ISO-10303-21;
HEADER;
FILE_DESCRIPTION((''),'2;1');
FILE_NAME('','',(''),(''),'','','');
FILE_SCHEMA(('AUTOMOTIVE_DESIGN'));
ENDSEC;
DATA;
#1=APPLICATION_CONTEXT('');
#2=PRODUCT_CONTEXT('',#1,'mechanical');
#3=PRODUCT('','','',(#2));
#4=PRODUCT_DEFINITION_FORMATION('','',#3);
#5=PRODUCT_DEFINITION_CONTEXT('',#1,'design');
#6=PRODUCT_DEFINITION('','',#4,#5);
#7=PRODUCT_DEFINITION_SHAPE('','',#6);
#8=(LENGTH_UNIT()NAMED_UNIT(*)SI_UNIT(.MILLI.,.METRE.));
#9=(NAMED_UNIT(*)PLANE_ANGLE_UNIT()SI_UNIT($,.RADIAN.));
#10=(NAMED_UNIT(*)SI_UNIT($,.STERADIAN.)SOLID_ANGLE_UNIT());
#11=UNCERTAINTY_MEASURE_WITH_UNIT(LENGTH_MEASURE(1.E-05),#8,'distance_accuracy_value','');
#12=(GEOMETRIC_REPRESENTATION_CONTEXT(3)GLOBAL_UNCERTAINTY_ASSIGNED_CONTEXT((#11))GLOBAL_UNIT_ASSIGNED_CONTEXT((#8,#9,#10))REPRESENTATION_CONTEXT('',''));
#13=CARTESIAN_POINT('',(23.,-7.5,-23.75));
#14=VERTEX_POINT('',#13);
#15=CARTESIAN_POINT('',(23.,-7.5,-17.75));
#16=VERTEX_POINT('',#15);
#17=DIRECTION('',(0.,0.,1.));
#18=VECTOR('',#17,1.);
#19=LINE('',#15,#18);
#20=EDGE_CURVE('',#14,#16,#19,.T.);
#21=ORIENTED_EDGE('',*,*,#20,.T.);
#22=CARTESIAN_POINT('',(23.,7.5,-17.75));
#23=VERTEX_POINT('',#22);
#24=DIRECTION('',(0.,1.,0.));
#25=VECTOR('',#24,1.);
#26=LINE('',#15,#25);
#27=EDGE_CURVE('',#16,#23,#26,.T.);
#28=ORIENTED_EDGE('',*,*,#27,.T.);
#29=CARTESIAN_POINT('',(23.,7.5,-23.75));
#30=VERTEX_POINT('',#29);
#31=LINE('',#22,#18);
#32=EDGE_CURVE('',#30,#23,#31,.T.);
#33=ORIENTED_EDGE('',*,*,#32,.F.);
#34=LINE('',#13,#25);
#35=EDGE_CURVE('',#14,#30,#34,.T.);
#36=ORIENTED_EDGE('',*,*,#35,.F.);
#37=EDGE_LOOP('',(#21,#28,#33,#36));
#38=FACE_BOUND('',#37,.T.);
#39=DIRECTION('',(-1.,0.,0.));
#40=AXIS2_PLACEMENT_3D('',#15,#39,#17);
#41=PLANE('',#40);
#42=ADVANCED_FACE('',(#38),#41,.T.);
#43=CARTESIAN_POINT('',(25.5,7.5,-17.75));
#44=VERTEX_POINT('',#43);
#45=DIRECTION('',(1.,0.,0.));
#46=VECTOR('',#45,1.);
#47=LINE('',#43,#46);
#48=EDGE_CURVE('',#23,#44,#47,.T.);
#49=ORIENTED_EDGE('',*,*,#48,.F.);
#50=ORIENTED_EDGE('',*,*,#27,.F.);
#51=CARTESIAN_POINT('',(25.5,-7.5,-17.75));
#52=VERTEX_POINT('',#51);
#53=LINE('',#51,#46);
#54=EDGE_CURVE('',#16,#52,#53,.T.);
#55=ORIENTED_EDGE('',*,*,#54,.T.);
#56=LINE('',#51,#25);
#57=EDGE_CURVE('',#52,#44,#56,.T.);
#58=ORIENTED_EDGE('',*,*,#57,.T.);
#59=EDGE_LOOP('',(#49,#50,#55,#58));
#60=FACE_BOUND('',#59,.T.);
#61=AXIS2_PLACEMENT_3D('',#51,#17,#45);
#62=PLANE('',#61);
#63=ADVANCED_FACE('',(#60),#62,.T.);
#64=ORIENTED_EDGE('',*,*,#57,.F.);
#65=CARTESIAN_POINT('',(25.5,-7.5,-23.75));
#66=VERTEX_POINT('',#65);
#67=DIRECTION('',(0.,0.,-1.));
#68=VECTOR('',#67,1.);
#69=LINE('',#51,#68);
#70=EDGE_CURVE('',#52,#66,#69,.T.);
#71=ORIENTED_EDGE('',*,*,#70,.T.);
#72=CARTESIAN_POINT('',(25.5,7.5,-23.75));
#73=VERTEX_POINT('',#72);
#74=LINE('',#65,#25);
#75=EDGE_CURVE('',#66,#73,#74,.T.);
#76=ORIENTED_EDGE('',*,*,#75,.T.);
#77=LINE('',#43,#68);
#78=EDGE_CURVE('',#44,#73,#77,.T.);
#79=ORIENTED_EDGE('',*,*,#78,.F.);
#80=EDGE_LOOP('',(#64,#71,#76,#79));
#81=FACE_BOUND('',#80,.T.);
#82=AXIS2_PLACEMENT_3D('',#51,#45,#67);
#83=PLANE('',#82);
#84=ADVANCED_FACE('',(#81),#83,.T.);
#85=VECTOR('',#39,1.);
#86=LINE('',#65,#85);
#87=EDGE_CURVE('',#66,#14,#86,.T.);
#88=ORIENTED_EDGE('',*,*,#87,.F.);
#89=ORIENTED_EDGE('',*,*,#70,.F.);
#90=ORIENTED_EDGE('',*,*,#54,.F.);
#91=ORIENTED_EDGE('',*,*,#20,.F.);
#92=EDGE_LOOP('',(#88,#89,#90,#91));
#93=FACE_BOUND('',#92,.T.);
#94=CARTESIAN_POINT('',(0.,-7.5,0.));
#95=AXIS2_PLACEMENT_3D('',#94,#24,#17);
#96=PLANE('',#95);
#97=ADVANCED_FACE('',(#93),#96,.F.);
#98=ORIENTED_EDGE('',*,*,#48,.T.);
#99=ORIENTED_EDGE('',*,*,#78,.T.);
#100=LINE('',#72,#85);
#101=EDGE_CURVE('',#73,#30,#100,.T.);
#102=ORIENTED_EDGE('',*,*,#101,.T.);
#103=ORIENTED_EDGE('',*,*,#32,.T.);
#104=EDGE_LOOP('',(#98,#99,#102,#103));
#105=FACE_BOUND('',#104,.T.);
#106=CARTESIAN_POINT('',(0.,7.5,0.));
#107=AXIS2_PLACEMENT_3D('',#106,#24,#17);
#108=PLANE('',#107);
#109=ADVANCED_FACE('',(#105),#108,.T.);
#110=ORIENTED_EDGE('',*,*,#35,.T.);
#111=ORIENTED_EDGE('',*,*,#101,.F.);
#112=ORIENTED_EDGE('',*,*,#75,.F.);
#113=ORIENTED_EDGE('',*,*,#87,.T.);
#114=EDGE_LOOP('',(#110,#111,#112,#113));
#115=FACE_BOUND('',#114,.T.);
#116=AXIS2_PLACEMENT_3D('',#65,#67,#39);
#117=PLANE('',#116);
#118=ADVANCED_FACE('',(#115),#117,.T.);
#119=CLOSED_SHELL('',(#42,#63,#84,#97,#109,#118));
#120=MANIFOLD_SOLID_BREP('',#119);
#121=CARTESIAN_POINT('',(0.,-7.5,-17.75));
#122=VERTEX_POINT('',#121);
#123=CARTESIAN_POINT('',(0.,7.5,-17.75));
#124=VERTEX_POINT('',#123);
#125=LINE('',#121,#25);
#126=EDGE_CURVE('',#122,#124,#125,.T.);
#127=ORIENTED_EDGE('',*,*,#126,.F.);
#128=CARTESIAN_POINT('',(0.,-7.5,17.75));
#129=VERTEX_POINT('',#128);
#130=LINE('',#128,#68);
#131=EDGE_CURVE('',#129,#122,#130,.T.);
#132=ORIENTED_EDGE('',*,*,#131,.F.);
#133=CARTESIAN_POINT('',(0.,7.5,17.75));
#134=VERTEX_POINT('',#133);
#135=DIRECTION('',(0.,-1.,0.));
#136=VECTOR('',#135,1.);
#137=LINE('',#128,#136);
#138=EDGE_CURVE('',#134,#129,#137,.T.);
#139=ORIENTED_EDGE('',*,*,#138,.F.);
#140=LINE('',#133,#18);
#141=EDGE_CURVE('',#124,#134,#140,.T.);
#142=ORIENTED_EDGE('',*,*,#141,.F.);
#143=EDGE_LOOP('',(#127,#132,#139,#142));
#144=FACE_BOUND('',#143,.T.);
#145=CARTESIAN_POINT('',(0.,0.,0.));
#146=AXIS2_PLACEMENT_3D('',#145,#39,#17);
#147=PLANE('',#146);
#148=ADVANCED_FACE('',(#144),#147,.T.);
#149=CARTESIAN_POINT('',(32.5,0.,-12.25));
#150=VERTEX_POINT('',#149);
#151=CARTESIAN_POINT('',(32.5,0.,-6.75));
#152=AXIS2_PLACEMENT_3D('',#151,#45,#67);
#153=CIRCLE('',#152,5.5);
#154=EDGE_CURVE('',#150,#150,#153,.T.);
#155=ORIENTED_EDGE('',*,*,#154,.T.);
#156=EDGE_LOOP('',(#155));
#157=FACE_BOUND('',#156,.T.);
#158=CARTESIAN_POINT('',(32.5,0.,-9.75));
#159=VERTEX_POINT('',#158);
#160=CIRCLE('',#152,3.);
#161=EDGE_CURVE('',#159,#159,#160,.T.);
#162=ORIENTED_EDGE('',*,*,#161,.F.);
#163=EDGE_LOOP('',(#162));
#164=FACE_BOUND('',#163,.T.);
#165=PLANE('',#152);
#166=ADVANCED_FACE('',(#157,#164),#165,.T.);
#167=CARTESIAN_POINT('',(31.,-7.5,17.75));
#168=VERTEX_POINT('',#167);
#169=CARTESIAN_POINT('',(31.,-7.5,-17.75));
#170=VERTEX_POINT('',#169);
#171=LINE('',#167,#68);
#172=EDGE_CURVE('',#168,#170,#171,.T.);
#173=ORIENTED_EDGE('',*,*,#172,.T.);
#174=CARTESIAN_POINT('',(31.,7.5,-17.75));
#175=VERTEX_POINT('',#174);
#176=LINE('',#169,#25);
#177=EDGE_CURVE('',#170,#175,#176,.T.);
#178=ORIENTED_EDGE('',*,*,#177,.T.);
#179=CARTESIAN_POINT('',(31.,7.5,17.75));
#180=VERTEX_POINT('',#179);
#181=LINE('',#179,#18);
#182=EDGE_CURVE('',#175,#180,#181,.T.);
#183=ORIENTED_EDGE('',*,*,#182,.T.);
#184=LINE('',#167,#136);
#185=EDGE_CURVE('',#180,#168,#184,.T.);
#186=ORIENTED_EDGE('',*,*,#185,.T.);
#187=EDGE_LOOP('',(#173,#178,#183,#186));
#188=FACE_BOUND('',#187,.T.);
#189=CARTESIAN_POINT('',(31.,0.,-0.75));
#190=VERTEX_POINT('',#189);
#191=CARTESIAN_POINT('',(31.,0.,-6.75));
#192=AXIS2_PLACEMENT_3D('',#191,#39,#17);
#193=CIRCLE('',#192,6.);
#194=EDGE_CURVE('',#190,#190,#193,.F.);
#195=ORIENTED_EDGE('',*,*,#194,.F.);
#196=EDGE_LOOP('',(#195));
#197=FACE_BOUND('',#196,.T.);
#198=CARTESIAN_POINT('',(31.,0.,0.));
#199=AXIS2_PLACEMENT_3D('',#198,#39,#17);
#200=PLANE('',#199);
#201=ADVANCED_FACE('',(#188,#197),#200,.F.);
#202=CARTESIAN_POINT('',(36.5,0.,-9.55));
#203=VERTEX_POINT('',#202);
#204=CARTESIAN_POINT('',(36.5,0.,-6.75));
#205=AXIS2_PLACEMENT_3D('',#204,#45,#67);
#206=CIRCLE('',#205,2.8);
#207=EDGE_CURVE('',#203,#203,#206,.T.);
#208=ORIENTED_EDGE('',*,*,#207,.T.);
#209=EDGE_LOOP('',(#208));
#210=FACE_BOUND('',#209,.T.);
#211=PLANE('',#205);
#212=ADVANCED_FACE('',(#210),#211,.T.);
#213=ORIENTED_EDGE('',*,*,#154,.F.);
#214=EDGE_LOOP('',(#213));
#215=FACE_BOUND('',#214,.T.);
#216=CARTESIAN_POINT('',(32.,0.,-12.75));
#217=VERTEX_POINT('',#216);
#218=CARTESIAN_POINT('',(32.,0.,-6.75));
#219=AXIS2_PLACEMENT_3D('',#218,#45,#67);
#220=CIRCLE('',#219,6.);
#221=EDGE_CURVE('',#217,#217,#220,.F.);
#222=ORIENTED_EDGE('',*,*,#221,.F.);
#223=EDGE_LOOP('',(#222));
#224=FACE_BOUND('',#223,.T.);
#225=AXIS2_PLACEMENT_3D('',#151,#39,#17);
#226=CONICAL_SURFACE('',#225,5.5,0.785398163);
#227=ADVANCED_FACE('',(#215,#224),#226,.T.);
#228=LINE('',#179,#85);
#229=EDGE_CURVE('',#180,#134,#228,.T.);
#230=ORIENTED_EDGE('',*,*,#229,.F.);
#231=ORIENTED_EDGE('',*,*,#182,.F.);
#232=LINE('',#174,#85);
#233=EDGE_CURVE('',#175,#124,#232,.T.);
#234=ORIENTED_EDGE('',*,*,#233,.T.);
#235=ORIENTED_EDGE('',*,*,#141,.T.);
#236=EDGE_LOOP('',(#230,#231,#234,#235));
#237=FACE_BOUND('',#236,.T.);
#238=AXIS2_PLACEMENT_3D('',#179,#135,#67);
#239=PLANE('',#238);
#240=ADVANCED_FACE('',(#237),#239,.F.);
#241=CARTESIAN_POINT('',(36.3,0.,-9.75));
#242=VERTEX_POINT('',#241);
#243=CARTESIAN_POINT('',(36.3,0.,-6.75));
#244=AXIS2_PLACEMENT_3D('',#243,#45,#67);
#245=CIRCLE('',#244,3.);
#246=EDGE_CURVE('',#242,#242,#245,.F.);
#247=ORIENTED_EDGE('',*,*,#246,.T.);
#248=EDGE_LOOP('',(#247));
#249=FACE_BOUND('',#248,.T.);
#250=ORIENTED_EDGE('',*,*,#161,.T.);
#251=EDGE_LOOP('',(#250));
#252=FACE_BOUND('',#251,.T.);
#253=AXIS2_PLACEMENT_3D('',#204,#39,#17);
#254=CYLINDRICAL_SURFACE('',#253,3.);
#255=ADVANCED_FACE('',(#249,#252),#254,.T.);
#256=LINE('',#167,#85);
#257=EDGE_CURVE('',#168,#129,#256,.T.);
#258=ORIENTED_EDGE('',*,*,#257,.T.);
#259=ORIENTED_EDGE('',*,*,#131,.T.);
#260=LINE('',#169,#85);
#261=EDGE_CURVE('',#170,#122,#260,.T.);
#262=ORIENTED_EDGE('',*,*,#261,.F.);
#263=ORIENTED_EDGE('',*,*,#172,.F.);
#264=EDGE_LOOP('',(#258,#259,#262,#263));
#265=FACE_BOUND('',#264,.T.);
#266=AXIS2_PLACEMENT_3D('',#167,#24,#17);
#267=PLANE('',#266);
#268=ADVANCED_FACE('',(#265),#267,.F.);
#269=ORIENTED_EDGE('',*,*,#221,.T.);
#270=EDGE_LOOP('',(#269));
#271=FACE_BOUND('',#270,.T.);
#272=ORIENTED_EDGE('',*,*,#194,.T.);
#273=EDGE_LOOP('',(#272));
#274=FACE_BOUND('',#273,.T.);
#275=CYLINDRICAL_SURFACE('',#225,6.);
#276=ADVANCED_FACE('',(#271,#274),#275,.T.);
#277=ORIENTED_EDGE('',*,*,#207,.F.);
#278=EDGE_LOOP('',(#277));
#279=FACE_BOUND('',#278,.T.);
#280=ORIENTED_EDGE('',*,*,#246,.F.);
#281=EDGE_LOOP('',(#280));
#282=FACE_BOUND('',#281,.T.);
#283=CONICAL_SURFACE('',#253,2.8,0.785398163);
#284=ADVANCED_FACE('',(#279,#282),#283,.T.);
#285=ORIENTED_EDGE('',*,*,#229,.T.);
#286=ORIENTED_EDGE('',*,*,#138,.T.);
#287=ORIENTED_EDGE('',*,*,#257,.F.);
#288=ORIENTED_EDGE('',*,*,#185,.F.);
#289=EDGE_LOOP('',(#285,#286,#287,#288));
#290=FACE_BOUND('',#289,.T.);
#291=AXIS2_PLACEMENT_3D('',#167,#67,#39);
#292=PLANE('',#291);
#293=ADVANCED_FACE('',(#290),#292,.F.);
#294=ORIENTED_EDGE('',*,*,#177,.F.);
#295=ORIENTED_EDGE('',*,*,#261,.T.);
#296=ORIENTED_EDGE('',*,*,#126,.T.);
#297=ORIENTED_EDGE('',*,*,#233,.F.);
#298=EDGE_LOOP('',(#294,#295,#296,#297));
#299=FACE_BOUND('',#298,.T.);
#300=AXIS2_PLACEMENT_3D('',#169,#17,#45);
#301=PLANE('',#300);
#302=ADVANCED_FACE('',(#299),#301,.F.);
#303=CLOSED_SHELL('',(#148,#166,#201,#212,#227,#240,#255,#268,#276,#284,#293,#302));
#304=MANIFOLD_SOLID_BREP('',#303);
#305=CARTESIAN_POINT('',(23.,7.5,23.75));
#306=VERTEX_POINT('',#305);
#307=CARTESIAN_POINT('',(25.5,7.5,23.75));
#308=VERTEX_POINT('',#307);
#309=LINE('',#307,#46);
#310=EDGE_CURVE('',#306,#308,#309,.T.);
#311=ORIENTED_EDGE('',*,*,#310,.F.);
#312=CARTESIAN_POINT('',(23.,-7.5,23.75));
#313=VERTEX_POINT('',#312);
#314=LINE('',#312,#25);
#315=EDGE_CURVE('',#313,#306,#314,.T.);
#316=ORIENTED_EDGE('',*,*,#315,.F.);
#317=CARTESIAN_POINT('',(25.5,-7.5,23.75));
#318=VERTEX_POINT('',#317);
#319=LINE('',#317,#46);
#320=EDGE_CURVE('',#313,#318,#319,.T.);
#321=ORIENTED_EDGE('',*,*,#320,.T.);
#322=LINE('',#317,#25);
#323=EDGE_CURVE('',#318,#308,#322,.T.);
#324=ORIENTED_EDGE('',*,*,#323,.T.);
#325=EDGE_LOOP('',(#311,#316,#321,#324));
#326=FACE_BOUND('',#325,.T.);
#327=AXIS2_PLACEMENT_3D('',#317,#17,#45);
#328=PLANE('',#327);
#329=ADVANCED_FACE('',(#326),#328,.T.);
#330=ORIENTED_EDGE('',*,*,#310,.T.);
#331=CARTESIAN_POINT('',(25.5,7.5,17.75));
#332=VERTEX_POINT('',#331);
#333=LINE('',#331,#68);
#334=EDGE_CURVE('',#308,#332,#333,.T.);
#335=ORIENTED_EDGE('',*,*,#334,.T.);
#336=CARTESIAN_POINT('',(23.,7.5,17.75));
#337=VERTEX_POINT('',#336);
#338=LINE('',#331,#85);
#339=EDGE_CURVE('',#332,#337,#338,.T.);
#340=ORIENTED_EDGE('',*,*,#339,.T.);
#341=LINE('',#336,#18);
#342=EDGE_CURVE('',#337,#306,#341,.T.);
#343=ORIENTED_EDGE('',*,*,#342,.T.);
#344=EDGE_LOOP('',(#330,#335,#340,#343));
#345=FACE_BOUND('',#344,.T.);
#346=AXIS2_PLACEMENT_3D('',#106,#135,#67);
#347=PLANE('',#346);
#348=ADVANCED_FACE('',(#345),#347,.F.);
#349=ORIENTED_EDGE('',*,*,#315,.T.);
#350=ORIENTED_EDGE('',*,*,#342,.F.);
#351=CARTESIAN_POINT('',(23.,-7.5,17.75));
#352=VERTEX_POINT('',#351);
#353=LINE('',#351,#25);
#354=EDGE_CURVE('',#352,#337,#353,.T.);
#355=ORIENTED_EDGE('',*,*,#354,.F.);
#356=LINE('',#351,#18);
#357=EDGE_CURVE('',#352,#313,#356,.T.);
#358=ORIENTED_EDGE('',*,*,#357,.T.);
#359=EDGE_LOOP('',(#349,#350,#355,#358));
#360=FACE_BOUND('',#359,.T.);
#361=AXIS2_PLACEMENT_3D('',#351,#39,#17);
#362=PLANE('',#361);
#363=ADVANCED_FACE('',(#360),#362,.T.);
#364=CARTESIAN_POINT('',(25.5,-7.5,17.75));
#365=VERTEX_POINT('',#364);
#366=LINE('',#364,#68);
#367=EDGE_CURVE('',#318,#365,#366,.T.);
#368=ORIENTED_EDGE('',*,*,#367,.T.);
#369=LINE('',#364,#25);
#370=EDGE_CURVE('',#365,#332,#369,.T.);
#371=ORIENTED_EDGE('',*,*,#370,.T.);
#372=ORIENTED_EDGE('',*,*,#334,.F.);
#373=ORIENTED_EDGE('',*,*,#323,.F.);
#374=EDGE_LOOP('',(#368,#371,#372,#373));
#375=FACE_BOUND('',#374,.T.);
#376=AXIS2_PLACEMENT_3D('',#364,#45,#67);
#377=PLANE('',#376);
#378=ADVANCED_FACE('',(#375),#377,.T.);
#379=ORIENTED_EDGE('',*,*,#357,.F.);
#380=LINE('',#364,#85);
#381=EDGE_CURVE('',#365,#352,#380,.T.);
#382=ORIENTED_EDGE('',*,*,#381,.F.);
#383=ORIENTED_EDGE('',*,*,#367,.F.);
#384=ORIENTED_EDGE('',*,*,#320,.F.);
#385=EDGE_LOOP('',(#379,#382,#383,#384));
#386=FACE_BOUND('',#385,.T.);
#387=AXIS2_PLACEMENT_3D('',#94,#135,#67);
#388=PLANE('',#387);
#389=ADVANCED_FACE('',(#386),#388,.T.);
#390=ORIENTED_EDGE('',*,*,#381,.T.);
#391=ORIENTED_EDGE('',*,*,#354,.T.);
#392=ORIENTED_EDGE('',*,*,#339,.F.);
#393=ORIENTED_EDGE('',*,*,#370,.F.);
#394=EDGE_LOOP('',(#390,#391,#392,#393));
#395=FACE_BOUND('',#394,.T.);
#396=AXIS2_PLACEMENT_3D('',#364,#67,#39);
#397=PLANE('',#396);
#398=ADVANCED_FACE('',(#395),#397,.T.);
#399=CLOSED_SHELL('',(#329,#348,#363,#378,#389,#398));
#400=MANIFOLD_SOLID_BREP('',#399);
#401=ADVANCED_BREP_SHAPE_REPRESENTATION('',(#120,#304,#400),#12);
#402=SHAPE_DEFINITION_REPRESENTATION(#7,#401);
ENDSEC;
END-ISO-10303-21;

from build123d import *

# Parameters (mm, degrees)
SKETCH_2_W        = 35.5
SKETCH_2_H        = 15
EXTRUDE_1_DEPTH   = 31
SKETCH_3_W        = 2.5
SKETCH_3_H        = 6
EXTRUDE_2_DEPTH   = 15
EXTRUDE_2_2_DEPTH = 15
SKETCH_4_R        = 6
EXTRUDE_3_DEPTH   = 1.5
CHAMFER_1_SIZE    = 0.5
SKETCH_5_R        = 3
EXTRUDE_4_DEPTH   = 4
CHAMFER_2_SIZE    = 0.2


with BuildPart() as part:
    # 草图2 → 凸台-拉伸1 (new body)
    with BuildSketch(Plane(origin=(0, 0, 0), x_dir=(0, 0, -1), z_dir=(1, 0, 0))):
        Rectangle(SKETCH_2_W, SKETCH_2_H)
    extrude(amount=EXTRUDE_1_DEPTH)

    # 草图4 → 凸台-拉伸3 (add)
    with BuildSketch(Plane(origin=(31, 0, 0), x_dir=(0, 0, -1), z_dir=(1, 0, 0))):
        with Locations((6.75, 0)):
            Circle(SKETCH_4_R)
    extrude(amount=EXTRUDE_3_DEPTH)

    # 倒角1
    chamfer_1_edges = [part.edges().sort_by_distance(p)[0] for p in [
        (32.5, 0, -0.75),
    ]]
    chamfer(chamfer_1_edges, length=CHAMFER_1_SIZE)

    # 草图5 → 凸台-拉伸4 (add)
    with BuildSketch(Plane(origin=(32.5, 0, 0), x_dir=(0, 0, -1), z_dir=(1, 0, 0))):
        with Locations((6.75, 0)):
            Circle(SKETCH_5_R)
    extrude(amount=EXTRUDE_4_DEPTH)

    # 倒角2
    chamfer_2_edges = [part.edges().sort_by_distance(p)[0] for p in [
        (36.5, 0, -3.75),
    ]]
    chamfer(chamfer_2_edges, length=CHAMFER_2_SIZE)


with BuildPart() as body_2:
    # 草图3 → 凸台-拉伸2 (new body)
    with BuildSketch(Plane(origin=(0, 7.5, 0), x_dir=(1, 0, 0), z_dir=(0, 1, 0))):
        with Locations((24.25, 20.75)):
            Rectangle(SKETCH_3_W, SKETCH_3_H)
    extrude(amount=-EXTRUDE_2_DEPTH)


with BuildPart() as body_3:
    # 草图3 → Extrude 2 2 (new body)
    with BuildSketch(Plane(origin=(0, 7.5, 0), x_dir=(1, 0, 0), z_dir=(0, 1, 0))):
        with Locations((24.25, -20.75)):
            Rectangle(SKETCH_3_W, SKETCH_3_H)
    extrude(amount=-EXTRUDE_2_2_DEPTH)


solid = Compound([part.part, body_2.part, body_3.part])
